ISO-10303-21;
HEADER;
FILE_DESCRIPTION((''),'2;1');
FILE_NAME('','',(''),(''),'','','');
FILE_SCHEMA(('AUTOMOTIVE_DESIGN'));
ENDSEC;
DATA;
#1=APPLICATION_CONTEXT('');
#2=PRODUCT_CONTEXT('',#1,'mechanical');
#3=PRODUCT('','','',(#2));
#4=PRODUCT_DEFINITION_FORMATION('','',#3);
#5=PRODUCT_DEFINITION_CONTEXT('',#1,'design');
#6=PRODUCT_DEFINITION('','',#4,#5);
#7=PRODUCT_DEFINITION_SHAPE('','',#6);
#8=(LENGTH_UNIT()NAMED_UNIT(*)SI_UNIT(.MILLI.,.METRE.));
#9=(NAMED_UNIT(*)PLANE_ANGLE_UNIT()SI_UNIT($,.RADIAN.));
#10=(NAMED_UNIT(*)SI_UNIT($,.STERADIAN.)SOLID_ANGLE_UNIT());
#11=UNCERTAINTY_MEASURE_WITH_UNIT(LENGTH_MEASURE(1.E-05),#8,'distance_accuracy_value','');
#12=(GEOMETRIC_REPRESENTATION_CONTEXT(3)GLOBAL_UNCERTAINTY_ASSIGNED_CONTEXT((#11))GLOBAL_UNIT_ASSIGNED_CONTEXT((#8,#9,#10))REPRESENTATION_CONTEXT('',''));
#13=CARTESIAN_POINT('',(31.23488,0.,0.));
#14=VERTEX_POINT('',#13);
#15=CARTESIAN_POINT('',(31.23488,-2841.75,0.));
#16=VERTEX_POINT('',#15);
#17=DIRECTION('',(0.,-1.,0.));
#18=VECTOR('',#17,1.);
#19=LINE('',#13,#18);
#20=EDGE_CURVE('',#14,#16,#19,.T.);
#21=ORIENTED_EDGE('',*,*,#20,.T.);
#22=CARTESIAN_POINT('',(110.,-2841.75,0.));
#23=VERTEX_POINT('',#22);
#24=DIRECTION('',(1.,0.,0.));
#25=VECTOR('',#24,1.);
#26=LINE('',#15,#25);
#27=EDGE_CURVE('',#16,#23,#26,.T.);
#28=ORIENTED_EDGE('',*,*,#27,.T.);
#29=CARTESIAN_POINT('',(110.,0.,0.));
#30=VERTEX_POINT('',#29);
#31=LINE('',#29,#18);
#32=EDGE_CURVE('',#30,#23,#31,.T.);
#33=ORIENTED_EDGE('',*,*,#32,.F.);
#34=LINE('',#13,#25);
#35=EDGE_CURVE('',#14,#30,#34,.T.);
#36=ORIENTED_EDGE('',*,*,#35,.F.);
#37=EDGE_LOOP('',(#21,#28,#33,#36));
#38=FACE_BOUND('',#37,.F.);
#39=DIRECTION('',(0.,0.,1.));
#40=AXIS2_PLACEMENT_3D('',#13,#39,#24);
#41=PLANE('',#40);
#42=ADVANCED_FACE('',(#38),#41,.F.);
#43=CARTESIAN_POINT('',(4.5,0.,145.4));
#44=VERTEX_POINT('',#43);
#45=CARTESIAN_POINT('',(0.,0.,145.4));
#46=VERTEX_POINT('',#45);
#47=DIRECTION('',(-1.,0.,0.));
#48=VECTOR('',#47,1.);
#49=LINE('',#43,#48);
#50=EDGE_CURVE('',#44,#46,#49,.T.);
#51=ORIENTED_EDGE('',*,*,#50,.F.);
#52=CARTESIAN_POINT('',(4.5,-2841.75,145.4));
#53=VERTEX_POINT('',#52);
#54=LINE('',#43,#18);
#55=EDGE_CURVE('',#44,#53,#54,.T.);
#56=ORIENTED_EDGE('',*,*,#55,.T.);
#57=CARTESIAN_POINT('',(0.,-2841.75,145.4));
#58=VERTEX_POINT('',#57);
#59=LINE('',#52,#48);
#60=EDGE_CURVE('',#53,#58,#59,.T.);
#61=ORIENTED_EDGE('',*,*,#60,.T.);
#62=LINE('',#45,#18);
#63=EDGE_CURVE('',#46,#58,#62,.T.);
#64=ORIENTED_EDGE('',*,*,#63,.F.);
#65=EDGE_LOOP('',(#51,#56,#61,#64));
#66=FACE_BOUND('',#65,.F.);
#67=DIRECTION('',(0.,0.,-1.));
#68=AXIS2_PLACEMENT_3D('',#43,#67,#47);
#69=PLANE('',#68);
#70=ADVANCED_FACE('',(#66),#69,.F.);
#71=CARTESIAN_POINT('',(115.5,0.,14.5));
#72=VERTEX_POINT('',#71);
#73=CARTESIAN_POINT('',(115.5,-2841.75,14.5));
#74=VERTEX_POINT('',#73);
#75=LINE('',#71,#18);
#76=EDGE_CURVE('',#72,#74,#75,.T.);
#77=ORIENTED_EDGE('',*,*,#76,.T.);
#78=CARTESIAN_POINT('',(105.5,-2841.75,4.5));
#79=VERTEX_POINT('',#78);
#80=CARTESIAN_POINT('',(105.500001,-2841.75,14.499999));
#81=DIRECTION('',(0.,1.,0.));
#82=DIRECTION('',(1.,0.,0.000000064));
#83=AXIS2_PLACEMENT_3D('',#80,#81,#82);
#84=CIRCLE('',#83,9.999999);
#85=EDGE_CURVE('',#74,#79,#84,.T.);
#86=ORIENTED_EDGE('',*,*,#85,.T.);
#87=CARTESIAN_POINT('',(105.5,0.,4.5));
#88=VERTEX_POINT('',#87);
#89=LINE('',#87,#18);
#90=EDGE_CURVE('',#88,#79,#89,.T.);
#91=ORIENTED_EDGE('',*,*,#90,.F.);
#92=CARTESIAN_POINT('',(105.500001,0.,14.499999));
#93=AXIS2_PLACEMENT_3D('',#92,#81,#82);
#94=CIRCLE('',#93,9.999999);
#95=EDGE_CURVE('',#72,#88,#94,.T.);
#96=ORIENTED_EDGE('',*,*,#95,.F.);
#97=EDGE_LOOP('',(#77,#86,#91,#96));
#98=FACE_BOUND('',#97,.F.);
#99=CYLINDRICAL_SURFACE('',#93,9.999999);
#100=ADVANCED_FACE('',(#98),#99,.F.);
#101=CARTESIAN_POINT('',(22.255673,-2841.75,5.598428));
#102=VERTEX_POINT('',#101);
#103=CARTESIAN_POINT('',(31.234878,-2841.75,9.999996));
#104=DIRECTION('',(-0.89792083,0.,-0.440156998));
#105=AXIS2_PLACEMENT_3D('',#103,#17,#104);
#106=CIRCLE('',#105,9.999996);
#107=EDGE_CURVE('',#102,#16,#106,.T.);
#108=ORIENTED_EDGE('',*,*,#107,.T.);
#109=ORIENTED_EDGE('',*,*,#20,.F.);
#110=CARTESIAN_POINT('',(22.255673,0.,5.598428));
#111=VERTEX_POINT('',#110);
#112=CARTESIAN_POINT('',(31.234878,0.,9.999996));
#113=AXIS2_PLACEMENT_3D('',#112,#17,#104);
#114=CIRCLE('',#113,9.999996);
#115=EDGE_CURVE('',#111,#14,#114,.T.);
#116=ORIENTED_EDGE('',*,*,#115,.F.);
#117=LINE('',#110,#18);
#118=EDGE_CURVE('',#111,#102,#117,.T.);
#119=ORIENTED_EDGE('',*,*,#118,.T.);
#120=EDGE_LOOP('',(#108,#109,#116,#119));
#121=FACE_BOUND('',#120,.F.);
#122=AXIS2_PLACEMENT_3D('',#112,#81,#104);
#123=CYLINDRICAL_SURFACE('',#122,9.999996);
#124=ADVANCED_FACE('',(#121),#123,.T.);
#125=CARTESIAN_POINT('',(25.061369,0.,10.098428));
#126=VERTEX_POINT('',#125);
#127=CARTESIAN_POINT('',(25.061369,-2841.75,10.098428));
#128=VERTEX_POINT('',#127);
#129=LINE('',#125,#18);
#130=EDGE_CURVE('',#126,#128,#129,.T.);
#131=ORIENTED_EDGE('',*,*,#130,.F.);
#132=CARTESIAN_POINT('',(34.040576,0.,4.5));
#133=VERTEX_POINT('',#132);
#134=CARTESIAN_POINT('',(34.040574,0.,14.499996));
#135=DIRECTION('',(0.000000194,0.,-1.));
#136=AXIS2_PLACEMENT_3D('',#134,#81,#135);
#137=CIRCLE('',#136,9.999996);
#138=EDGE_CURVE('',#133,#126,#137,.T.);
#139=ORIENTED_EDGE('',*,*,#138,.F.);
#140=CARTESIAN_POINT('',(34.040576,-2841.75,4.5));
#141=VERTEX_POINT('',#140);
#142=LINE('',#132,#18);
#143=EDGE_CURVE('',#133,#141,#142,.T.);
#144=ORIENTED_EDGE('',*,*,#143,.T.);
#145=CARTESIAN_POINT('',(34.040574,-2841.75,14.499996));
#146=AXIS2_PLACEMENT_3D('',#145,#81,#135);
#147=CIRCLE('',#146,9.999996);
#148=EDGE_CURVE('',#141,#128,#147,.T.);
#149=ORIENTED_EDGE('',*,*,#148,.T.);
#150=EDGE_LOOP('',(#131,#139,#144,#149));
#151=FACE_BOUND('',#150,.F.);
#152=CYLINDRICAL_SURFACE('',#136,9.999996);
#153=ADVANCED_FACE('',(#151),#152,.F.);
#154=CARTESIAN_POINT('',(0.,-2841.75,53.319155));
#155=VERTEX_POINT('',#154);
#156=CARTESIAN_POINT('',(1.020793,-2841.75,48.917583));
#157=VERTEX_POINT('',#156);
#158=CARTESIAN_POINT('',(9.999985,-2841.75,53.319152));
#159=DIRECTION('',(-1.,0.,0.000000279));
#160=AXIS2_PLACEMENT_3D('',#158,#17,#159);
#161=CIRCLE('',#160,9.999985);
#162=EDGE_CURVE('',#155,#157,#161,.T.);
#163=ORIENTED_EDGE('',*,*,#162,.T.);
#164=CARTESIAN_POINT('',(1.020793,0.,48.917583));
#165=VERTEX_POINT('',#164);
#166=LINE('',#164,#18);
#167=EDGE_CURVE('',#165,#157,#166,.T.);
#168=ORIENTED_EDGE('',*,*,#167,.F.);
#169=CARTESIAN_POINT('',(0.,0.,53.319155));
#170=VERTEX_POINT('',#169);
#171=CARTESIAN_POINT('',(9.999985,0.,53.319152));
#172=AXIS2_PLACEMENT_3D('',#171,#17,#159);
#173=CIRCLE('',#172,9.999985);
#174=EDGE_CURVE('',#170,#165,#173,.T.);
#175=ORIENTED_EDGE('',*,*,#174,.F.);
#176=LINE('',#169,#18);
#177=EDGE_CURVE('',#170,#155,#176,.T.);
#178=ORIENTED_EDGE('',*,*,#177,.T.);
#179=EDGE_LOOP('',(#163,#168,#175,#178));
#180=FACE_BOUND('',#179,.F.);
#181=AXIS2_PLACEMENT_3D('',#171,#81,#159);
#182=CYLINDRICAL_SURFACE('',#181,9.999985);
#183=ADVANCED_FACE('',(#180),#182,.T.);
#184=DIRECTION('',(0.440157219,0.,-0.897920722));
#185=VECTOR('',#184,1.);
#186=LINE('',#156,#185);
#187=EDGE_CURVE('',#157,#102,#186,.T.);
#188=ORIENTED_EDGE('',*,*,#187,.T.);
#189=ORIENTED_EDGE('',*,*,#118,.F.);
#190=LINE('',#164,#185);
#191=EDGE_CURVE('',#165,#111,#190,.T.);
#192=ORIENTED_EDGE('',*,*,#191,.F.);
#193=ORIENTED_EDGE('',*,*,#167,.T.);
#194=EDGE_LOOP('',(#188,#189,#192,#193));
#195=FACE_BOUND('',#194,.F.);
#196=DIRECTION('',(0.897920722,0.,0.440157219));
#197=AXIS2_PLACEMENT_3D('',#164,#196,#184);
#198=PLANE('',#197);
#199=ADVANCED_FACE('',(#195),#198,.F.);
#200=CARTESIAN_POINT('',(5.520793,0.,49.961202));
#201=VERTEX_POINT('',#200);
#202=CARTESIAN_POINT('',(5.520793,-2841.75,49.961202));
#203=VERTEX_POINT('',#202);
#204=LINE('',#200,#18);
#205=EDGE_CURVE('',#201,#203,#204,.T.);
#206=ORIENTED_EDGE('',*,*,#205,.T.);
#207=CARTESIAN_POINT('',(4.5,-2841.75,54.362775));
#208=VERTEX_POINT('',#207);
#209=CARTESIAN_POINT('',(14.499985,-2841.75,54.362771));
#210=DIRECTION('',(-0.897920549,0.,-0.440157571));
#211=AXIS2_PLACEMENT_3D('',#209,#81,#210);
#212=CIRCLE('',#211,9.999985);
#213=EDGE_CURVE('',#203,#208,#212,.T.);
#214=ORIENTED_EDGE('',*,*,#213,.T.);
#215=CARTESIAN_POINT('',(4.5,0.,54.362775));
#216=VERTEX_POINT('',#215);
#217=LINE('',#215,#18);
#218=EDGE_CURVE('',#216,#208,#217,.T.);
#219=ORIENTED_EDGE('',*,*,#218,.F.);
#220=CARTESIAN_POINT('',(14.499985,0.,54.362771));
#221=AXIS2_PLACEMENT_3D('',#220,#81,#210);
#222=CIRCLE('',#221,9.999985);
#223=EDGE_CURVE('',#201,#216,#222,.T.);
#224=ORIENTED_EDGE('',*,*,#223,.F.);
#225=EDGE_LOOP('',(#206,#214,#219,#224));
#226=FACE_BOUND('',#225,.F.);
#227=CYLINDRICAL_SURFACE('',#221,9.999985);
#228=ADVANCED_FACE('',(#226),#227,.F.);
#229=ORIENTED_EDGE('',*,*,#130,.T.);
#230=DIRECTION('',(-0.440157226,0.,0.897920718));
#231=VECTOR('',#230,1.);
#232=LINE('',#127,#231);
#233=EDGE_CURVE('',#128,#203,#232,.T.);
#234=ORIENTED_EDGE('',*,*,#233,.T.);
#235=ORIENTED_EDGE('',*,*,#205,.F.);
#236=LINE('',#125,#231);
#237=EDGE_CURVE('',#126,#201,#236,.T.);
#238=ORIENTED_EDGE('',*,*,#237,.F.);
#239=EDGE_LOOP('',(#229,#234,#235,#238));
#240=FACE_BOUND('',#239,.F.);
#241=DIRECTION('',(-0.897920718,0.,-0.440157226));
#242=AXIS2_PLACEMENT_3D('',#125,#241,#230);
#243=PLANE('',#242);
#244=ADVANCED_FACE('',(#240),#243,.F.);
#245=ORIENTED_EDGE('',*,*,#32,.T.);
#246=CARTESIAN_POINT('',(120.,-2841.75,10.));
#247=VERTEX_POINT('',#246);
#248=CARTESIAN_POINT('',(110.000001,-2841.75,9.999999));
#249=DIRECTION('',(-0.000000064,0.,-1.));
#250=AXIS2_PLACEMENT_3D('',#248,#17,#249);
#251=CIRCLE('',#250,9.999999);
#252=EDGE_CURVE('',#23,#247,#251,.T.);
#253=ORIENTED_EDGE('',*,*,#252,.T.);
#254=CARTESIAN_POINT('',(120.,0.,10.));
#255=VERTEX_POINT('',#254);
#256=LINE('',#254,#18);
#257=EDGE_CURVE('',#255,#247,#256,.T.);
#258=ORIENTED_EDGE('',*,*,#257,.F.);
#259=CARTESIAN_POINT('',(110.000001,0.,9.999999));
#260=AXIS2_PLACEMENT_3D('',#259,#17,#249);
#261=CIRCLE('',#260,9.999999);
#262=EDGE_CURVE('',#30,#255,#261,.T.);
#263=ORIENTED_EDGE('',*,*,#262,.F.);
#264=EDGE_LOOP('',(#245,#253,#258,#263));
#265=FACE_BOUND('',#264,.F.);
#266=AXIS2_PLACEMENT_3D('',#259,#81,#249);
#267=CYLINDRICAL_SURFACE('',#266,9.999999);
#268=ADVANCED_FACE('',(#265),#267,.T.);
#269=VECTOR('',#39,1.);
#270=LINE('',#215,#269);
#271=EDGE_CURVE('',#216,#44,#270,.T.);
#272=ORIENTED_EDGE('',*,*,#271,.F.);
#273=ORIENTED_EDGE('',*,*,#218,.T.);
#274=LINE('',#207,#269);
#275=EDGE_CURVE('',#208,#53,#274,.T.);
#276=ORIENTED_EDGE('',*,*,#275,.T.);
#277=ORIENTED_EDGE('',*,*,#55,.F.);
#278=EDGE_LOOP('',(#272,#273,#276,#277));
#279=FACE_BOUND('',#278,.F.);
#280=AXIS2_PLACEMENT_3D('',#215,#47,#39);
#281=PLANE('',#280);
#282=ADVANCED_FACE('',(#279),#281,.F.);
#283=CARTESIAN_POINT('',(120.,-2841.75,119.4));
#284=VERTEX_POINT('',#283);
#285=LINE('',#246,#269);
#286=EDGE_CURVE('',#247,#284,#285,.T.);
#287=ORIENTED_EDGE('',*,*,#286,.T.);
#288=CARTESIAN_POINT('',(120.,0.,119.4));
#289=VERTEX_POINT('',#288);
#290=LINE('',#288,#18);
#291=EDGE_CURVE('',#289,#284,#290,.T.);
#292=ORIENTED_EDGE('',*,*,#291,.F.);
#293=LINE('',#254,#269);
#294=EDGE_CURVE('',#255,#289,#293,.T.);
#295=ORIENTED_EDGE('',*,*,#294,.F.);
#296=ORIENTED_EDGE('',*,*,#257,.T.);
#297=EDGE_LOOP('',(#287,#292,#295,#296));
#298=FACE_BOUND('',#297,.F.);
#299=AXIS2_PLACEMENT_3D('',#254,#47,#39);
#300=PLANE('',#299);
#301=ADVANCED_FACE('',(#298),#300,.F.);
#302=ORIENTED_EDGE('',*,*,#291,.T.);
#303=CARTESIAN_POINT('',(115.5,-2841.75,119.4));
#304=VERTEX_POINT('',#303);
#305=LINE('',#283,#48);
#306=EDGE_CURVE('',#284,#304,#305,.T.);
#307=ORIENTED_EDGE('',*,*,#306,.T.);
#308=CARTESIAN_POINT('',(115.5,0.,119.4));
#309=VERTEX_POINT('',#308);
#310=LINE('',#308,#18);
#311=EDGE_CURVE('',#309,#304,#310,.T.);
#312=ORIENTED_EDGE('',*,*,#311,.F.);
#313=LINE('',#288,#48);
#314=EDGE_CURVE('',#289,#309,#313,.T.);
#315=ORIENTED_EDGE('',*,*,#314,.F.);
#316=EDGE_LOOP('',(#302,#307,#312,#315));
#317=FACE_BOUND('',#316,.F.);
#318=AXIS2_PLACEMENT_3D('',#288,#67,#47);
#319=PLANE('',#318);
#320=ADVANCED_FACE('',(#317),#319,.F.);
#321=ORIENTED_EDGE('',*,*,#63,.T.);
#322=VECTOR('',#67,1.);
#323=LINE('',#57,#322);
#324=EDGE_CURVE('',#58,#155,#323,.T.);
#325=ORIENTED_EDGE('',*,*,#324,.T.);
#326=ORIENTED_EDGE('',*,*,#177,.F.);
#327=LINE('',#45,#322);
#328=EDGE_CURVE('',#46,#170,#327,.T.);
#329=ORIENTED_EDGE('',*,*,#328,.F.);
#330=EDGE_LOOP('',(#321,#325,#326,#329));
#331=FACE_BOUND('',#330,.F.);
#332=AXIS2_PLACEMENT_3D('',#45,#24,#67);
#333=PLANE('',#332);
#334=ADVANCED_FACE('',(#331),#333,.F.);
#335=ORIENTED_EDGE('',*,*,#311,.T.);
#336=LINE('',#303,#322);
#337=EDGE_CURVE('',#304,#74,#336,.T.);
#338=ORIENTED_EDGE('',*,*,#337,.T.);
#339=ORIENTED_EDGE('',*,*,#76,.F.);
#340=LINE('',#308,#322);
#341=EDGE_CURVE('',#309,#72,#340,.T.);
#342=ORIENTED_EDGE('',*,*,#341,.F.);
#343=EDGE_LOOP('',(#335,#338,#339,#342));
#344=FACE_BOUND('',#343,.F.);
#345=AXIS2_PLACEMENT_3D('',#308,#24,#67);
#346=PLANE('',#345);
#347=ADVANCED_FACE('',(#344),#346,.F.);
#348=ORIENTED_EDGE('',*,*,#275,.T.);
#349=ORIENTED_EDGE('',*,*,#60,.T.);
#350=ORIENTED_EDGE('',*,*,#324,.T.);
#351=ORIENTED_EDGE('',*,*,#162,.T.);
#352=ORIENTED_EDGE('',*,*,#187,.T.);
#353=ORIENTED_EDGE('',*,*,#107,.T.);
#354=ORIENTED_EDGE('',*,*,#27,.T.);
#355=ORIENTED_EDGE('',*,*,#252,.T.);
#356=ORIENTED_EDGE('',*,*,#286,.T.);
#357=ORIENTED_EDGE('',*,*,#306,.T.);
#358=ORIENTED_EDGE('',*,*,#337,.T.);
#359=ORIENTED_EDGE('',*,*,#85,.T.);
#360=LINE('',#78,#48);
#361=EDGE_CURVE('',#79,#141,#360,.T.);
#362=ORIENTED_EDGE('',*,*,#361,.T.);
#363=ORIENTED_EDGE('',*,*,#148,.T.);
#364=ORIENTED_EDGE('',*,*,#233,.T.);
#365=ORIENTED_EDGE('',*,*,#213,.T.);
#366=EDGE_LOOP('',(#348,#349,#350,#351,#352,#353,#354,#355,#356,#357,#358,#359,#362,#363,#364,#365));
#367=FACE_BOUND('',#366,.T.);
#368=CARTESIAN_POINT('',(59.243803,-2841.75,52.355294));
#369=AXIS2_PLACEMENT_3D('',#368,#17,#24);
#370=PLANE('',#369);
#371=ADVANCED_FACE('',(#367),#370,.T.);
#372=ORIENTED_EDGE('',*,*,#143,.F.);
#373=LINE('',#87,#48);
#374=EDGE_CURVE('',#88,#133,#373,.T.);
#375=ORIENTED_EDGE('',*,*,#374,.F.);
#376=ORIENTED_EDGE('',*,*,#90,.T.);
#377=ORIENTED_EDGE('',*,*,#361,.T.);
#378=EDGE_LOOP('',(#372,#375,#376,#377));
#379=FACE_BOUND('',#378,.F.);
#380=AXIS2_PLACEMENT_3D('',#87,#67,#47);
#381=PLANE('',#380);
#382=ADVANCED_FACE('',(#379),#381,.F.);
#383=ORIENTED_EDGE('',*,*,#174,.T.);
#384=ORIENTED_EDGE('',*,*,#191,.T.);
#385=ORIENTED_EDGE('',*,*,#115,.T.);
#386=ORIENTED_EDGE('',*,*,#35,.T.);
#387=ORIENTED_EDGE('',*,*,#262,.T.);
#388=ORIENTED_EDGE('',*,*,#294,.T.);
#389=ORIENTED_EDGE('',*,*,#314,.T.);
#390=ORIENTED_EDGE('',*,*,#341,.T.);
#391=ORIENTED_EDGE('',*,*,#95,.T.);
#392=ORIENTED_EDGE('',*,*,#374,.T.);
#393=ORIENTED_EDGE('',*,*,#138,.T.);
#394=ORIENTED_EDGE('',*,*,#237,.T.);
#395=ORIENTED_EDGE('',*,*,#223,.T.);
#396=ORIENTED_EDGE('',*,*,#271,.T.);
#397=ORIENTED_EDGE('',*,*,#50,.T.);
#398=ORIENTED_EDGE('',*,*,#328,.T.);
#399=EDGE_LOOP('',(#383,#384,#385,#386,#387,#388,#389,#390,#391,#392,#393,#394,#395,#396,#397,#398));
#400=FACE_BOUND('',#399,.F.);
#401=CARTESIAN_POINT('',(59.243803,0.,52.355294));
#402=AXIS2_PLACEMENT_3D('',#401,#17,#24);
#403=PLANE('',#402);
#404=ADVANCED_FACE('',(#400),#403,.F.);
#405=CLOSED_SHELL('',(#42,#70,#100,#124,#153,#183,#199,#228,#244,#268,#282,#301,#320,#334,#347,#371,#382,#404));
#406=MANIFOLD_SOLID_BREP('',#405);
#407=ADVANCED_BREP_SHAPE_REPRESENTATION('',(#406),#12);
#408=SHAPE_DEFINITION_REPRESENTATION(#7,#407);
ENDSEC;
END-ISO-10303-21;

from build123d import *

# Parameters (mm, degrees)
F1_DEPTH = 2841.75


with BuildPart() as f1:
    # F0 (on Front) → F1 (new body)
    with BuildSketch(Plane.XZ):
        with BuildLine():
            ThreePointArc((110, 0), (117.071068, 2.928932), (120, 10))
            Line((120, 10), (120, 119.4))
            Line((120, 119.4), (115.5, 119.4))
            Line((115.5, 119.4), (115.5, 14.5))
            ThreePointArc((115.5, 14.5), (112.571068, 7.428932), (105.5, 4.5))
            Line((105.5, 4.5), (34.040576, 4.5))
            ThreePointArc((34.040576, 4.5), (28.749816, 6.014255), (25.061369, 10.098428))
            Line((25.061369, 10.098428), (5.520793, 49.961202))
            ThreePointArc((5.520793, 49.961202), (4.75854, 52.103579), (4.5, 54.362775))
            Line((4.5, 54.362775), (4.5, 145.4))
            Line((4.5, 145.4), (0, 145.4))
            Line((0, 145.4), (0, 53.319155))
            ThreePointArc((0, 53.319155), (0.25854, 51.05996), (1.020793, 48.917583))
            Line((1.020793, 48.917583), (22.255673, 5.598428))
            ThreePointArc((22.255673, 5.598428), (25.94412, 1.514255), (31.23488, 0))
            Line((31.23488, 0), (110, 0))
        make_face()
    extrude(amount=F1_DEPTH)


solid = f1.part
